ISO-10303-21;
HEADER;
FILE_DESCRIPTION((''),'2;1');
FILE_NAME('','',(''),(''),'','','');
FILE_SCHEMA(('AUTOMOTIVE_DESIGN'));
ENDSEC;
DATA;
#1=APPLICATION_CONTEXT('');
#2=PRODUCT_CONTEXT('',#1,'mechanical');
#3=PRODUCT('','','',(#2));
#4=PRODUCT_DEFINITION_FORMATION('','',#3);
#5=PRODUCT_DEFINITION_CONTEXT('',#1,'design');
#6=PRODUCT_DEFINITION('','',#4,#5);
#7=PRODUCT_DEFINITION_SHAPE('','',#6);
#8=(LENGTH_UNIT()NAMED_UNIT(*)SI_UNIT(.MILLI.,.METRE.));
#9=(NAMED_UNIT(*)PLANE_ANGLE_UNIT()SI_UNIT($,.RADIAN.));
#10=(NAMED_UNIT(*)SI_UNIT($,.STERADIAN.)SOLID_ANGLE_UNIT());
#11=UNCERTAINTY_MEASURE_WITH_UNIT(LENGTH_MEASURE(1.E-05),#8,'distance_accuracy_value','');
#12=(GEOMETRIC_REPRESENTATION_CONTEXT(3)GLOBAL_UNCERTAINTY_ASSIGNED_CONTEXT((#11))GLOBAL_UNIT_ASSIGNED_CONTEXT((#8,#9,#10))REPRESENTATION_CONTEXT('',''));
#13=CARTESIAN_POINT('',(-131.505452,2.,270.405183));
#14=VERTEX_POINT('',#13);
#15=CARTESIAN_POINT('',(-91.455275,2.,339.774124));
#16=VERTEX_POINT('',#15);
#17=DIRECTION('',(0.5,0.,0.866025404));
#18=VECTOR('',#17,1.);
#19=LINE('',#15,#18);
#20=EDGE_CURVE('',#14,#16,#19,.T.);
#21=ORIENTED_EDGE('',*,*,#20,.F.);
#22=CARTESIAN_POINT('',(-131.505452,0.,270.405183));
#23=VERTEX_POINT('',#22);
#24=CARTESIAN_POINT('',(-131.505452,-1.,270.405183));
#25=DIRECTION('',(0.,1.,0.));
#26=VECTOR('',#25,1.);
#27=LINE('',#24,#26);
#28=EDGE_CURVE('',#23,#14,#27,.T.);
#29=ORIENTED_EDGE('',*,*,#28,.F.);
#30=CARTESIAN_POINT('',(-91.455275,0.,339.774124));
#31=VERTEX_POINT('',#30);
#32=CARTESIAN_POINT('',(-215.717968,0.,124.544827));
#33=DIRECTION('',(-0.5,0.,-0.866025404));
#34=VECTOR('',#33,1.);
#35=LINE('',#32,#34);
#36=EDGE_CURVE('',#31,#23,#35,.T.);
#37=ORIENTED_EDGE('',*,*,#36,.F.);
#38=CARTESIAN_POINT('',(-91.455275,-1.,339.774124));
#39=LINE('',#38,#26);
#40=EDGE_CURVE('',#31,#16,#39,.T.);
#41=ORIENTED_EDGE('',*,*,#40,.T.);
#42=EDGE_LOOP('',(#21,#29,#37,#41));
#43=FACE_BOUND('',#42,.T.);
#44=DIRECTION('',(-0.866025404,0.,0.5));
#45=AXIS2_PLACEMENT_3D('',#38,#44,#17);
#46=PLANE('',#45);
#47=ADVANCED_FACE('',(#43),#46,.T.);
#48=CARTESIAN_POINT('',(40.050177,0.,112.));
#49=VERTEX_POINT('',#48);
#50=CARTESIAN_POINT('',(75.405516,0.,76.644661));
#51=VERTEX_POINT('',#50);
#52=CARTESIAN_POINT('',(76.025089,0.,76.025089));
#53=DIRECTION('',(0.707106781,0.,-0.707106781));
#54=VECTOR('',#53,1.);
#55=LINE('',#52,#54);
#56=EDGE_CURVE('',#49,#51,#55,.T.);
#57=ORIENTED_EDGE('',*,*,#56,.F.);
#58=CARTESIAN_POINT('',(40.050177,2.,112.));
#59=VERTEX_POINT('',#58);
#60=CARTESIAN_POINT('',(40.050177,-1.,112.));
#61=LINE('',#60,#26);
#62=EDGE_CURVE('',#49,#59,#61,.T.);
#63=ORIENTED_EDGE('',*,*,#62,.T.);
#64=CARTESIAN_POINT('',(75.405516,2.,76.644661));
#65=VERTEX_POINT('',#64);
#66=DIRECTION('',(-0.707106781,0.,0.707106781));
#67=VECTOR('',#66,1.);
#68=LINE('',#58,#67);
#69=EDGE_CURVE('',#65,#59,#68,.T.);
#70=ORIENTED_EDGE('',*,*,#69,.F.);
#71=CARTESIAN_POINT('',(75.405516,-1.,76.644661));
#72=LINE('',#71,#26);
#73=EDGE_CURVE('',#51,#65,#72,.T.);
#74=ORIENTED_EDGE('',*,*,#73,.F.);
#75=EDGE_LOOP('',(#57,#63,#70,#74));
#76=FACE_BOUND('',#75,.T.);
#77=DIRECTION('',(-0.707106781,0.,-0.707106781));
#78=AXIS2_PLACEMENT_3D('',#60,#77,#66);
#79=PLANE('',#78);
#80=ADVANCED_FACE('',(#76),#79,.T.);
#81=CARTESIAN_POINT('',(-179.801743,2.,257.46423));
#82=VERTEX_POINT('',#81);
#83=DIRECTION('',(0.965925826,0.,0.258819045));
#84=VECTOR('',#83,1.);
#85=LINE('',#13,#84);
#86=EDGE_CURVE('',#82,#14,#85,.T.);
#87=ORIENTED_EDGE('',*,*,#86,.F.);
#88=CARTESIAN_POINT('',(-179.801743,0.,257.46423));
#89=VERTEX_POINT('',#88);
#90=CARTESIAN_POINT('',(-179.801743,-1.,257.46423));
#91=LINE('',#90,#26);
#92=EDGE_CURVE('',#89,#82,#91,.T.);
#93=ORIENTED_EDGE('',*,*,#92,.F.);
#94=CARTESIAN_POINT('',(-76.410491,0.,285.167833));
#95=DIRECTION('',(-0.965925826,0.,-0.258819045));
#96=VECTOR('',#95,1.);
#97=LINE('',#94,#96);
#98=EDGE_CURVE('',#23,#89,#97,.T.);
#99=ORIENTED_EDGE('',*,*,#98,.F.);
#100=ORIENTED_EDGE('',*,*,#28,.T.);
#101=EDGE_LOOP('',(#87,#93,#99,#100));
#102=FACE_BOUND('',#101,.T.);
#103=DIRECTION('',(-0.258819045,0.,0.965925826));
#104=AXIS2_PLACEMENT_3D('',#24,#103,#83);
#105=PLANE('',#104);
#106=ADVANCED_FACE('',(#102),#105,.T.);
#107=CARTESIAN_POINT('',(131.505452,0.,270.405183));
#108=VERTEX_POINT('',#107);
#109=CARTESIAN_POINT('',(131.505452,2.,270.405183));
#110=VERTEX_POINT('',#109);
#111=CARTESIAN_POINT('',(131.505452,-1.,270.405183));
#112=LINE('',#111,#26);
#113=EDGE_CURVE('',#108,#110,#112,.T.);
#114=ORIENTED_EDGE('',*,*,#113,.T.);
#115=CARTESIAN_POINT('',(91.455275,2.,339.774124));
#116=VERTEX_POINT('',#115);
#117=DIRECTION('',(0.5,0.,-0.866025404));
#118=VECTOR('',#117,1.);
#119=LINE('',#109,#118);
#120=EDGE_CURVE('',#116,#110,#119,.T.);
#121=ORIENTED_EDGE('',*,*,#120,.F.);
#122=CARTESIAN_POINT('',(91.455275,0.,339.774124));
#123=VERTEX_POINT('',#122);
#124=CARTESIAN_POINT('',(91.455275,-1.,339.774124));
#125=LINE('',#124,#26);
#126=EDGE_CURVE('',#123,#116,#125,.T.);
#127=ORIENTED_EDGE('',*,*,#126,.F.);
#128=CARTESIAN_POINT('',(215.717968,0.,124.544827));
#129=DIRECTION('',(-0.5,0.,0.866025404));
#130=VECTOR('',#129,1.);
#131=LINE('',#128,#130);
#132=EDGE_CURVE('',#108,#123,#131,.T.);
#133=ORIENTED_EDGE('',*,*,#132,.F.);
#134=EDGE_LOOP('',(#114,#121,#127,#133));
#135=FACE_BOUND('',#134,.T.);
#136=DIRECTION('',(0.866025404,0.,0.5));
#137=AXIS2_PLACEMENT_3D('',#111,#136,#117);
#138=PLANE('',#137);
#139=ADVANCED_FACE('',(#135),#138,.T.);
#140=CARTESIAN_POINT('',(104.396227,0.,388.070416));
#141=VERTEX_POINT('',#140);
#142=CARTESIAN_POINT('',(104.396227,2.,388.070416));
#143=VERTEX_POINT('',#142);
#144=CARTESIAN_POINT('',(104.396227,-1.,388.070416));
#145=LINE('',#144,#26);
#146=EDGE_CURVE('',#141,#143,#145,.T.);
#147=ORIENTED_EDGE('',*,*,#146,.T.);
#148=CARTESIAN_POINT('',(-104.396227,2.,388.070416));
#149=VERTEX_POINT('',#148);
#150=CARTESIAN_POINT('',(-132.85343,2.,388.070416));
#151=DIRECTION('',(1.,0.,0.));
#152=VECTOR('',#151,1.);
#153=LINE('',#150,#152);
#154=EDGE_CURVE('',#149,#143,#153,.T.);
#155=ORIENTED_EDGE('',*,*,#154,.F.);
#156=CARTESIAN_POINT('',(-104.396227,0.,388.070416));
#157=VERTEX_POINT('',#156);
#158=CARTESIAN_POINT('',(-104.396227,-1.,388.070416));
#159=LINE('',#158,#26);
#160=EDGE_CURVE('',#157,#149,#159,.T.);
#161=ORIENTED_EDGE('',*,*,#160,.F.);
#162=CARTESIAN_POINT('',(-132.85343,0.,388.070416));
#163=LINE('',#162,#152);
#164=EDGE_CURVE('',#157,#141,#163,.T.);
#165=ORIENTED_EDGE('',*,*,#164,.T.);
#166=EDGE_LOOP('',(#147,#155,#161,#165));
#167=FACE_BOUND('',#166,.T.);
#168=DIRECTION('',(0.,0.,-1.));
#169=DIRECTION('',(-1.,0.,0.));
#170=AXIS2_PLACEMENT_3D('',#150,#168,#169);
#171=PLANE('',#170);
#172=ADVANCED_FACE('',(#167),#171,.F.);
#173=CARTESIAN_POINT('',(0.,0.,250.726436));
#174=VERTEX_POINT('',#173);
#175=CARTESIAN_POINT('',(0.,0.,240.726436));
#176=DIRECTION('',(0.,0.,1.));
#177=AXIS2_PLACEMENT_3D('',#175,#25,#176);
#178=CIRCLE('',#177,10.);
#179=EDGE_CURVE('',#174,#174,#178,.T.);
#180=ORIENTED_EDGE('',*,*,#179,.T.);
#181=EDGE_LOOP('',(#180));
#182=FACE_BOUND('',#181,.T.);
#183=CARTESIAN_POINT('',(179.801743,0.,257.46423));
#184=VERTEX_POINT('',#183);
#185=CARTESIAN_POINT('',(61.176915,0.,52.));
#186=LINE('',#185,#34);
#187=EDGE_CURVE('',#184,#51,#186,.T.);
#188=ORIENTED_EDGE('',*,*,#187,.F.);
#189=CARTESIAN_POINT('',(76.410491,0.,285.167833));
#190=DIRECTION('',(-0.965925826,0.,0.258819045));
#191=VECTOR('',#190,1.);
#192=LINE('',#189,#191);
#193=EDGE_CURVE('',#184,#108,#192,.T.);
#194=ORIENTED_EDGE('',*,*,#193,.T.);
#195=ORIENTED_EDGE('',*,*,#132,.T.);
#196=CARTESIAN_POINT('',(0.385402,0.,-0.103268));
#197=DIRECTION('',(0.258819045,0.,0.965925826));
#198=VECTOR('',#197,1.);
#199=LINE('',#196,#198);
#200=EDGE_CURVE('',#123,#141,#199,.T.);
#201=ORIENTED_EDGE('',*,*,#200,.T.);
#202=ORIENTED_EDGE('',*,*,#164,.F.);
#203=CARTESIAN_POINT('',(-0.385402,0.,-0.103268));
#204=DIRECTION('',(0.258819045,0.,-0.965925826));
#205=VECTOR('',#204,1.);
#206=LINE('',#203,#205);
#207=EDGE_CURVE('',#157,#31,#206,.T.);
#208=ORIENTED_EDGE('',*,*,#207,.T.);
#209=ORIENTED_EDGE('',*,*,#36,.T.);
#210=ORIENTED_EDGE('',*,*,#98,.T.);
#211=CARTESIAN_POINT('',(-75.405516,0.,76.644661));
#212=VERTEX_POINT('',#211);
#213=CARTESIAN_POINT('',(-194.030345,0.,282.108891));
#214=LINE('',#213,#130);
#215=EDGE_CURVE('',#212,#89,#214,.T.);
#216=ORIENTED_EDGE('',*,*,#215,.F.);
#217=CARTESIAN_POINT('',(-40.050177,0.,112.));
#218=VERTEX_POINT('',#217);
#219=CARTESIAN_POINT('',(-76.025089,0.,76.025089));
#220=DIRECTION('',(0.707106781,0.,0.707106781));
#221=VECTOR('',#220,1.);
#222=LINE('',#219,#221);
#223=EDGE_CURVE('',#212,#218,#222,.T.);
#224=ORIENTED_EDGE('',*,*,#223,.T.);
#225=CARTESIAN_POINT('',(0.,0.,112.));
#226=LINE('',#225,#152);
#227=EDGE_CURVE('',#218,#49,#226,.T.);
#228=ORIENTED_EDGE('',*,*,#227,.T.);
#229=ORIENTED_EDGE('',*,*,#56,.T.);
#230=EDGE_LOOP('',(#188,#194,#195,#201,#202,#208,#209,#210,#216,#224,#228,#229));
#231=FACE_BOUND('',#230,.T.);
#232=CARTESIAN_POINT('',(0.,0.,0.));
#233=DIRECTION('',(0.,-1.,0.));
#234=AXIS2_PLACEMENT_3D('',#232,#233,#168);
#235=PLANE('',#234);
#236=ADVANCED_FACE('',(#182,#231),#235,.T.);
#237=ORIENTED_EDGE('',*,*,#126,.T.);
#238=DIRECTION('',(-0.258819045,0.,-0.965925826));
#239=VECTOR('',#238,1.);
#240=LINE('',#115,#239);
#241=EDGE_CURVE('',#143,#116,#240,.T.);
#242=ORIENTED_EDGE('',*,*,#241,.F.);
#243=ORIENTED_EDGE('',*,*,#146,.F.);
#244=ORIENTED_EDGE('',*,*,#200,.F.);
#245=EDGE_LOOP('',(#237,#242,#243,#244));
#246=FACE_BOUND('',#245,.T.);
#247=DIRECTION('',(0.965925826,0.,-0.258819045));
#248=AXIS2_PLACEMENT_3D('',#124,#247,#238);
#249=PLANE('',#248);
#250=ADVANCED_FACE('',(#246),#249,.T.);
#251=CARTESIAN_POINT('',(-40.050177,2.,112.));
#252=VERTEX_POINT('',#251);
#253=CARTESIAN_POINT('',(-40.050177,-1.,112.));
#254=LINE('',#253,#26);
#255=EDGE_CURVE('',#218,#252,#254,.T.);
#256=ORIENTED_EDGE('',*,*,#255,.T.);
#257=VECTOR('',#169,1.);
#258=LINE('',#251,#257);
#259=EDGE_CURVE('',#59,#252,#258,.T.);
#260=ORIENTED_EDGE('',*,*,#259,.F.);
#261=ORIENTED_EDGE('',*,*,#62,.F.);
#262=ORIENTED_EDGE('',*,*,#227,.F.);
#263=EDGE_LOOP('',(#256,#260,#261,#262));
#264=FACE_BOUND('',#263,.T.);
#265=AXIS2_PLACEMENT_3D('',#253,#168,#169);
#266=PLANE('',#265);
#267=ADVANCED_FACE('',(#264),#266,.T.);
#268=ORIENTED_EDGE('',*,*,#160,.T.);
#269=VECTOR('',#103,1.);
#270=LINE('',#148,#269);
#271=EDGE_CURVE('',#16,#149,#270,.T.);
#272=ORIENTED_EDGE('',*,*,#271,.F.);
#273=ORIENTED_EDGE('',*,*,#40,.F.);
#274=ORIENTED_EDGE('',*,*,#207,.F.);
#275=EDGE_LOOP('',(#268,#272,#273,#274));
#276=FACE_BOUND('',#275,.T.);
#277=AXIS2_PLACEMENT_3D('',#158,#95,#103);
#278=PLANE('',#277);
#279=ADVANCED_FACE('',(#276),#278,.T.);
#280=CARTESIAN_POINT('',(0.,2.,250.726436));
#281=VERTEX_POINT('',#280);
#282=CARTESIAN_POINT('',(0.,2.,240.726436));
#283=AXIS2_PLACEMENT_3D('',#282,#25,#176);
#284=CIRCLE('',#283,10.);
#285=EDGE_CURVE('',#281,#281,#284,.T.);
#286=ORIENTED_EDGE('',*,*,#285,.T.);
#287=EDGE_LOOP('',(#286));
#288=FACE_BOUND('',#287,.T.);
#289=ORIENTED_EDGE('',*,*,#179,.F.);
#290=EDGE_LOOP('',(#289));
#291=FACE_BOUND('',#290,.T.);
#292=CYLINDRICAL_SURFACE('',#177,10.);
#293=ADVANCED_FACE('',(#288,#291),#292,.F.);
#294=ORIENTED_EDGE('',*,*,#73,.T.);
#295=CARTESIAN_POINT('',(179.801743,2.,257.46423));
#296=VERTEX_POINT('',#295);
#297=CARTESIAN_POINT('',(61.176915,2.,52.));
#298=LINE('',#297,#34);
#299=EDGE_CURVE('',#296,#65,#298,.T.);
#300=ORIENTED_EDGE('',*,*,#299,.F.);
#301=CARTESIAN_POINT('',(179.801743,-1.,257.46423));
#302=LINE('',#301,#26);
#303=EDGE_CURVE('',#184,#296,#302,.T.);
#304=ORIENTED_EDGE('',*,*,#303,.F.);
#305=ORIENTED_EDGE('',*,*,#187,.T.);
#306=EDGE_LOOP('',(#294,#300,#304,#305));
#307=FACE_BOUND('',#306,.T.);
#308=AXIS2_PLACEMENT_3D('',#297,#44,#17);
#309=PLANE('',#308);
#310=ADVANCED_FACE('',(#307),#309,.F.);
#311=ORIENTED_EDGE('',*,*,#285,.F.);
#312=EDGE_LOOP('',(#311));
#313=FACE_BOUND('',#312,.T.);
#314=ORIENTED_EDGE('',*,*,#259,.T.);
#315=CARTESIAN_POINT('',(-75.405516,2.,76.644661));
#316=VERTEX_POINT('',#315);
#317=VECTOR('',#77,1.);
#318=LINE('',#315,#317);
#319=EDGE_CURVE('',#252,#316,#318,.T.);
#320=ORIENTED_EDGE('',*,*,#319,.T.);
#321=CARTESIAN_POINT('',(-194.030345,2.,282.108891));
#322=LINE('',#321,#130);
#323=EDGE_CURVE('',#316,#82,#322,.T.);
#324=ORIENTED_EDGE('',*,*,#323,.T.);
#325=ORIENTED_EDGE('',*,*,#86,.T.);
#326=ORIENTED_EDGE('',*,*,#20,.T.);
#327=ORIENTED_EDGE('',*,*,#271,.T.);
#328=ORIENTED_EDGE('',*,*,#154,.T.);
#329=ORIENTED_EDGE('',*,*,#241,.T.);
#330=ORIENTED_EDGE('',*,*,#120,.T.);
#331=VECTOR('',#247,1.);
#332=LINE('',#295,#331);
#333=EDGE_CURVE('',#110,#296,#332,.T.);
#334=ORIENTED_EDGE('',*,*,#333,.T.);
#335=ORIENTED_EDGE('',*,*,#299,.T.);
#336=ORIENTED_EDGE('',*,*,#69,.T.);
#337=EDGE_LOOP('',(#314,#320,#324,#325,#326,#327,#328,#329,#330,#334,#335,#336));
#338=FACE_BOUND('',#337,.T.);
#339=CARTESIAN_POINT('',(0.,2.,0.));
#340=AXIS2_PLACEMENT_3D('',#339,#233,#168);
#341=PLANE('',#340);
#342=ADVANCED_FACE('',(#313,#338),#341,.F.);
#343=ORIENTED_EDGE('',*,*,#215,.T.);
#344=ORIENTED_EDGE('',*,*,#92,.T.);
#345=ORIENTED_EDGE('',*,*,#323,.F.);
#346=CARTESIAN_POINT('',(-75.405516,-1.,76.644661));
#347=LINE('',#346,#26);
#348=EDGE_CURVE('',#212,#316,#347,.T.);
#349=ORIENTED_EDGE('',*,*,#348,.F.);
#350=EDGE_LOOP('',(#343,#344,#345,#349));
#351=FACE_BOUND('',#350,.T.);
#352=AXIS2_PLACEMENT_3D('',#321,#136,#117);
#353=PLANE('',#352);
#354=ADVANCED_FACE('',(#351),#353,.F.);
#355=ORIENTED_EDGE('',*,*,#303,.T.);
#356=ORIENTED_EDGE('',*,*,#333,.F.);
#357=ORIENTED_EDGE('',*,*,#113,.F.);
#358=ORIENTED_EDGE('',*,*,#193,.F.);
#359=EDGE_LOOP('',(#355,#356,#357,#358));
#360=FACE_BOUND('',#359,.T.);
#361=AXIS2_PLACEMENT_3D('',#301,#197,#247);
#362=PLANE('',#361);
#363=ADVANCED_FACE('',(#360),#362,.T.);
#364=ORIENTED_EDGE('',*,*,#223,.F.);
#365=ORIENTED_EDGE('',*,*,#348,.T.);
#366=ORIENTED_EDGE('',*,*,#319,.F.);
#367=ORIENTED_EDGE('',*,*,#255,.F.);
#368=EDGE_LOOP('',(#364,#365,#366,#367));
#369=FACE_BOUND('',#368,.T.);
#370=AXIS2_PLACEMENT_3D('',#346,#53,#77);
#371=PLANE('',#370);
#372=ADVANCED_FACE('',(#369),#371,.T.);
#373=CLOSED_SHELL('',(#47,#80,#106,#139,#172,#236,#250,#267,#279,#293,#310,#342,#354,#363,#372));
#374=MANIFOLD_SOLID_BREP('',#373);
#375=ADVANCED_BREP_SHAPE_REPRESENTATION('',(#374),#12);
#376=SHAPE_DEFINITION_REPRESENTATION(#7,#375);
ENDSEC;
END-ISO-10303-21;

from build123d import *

# Parameters (mm, degrees)
BOSS_EXTRUDE1_DEPTH = 2
SKETCH2_R           = 10
CUT_EXTRUDE1_DEPTH  = 434.878349498
SKETCH4_OUTSIDE_W   = 492.732
SKETCH4_OUTSIDE_H   = 440.742
CUT_EXTRUDE2_DEPTH  = 3


with BuildPart() as part:
    # Sketch1 → Boss-Extrude1 (new body)
    with BuildSketch(Plane(origin=(0, 0, 0), x_dir=(1, 0, 0), z_dir=(0, 1, 0))):
        Polygon((-132.853430349, -388.070415552), (132.853430349, -388.070415552), (194.030344885, -282.108891325), (61.176914536, -52), (-61.176914536, -52), (-194.030344885, -282.108891325), align=None)
    extrude(amount=BOSS_EXTRUDE1_DEPTH)

    # Sketch2 → Cut-Extrude1 (cut, through all)
    with BuildSketch(Plane(origin=(0, 2, 0), x_dir=(1, 0, 0), z_dir=(0, 1, 0))):
        with Locations(Location((0, -240.726435625, 0), (0, 0, 270))):
            Circle(SKETCH2_R)
    extrude(amount=-CUT_EXTRUDE1_DEPTH, mode=Mode.SUBTRACT)

    # Sketch4 outside → Cut-Extrude2 (cut)
    with BuildSketch(Plane(origin=(0, 2, 0), x_dir=(1, 0, 0), z_dir=(0, 1, 0))):
        with Locations((0, -220.035)):
            Rectangle(SKETCH4_OUTSIDE_W, SKETCH4_OUTSIDE_H)
        Polygon((-75.405516164, -76.644660941), (-40.050177105, -112), (40.050177105, -112), (75.405516164, -76.644660941), (179.801743257, -257.464230384), (131.505451943, -270.405182639), (91.455274838, -339.774124237), (104.396227093, -388.070415552), (-104.396227093, -388.070415552), (-91.455274838, -339.774124237), (-131.505451943, -270.405182639), (-179.801743257, -257.464230384), align=None, mode=Mode.SUBTRACT)
    extrude(amount=-CUT_EXTRUDE2_DEPTH, mode=Mode.SUBTRACT)


solid = part.part
